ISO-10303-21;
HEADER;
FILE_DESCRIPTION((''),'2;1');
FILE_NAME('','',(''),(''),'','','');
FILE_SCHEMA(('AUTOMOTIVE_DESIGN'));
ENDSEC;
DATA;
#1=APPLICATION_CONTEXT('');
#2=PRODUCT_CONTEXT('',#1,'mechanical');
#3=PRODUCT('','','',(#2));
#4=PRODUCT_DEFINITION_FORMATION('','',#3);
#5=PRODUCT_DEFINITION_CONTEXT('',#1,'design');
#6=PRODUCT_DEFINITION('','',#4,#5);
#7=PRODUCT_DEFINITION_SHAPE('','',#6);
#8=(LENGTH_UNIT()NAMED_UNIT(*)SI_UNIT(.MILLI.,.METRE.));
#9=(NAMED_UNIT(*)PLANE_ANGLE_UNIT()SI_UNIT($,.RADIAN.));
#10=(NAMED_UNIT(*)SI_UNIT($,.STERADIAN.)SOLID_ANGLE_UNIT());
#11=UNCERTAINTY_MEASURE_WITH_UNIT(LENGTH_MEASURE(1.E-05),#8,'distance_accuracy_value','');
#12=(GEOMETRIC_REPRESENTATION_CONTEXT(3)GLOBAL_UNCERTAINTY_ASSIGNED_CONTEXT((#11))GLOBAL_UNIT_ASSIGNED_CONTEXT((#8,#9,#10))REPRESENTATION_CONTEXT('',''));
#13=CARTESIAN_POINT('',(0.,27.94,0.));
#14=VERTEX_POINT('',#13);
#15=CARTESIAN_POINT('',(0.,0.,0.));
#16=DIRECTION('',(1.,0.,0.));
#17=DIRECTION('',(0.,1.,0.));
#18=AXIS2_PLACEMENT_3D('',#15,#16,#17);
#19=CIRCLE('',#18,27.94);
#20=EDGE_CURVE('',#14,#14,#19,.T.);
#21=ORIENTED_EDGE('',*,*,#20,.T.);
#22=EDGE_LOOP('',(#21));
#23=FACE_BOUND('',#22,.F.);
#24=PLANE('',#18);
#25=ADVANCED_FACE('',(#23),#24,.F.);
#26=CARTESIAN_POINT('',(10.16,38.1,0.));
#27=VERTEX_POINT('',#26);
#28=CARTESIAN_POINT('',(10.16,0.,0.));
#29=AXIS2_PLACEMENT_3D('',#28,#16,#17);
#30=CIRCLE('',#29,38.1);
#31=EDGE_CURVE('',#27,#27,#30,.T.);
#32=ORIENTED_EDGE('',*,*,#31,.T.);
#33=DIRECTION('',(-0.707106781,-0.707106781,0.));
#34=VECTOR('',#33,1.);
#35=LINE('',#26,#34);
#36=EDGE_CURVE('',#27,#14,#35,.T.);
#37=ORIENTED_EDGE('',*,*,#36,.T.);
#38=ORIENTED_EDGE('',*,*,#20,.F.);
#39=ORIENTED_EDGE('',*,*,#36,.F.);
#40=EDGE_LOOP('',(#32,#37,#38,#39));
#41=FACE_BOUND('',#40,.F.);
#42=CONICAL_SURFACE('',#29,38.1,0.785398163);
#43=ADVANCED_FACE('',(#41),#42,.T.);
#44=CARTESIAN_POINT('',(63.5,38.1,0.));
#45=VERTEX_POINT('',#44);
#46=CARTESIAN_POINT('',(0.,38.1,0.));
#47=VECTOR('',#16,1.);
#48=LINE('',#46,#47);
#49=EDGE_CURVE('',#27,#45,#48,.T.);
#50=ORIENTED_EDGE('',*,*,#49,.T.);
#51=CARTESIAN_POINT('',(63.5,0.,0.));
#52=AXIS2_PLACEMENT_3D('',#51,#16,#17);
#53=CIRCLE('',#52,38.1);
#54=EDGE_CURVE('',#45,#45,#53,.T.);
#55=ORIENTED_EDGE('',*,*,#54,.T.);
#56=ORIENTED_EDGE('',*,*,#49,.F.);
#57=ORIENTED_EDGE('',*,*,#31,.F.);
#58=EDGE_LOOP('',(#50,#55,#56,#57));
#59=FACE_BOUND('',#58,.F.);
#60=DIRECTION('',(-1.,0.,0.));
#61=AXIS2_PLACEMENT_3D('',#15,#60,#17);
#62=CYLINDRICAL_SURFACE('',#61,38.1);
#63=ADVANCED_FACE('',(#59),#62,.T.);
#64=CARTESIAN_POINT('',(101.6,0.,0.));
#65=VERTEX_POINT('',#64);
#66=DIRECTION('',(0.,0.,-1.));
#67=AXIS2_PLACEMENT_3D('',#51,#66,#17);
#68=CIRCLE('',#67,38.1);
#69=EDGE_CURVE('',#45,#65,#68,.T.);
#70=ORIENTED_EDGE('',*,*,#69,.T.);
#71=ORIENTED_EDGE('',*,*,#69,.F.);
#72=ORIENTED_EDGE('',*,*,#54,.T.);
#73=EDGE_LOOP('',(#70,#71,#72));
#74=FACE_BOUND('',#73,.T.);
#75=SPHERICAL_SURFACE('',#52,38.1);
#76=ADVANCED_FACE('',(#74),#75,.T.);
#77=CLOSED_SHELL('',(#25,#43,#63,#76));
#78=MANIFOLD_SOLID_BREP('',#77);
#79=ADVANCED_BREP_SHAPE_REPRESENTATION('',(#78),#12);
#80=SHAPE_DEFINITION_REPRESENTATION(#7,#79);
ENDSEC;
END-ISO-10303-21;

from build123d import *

# Parameters (mm, degrees)
F0_R     = 38.1
F1_DEPTH = 101.6
F2_R     = 38.1
F3_SIZE  = 10.16


with BuildPart() as f1:
    # F0 (on Right) → F1 (new body)
    with BuildSketch(Plane.YZ):
        Circle(F0_R)
    extrude(amount=F1_DEPTH)

    # F2
    f2_edges = [f1.edges().sort_by_distance(p)[0] for p in [
        (101.6, -38.1, 0),
    ]]
    fillet(f2_edges, radius=F2_R)

    # F3
    f3_edges = [f1.edges().sort_by_distance(p)[0] for p in [
        (0, -38.1, 0),
    ]]
    chamfer(f3_edges, length=F3_SIZE)


solid = f1.part
